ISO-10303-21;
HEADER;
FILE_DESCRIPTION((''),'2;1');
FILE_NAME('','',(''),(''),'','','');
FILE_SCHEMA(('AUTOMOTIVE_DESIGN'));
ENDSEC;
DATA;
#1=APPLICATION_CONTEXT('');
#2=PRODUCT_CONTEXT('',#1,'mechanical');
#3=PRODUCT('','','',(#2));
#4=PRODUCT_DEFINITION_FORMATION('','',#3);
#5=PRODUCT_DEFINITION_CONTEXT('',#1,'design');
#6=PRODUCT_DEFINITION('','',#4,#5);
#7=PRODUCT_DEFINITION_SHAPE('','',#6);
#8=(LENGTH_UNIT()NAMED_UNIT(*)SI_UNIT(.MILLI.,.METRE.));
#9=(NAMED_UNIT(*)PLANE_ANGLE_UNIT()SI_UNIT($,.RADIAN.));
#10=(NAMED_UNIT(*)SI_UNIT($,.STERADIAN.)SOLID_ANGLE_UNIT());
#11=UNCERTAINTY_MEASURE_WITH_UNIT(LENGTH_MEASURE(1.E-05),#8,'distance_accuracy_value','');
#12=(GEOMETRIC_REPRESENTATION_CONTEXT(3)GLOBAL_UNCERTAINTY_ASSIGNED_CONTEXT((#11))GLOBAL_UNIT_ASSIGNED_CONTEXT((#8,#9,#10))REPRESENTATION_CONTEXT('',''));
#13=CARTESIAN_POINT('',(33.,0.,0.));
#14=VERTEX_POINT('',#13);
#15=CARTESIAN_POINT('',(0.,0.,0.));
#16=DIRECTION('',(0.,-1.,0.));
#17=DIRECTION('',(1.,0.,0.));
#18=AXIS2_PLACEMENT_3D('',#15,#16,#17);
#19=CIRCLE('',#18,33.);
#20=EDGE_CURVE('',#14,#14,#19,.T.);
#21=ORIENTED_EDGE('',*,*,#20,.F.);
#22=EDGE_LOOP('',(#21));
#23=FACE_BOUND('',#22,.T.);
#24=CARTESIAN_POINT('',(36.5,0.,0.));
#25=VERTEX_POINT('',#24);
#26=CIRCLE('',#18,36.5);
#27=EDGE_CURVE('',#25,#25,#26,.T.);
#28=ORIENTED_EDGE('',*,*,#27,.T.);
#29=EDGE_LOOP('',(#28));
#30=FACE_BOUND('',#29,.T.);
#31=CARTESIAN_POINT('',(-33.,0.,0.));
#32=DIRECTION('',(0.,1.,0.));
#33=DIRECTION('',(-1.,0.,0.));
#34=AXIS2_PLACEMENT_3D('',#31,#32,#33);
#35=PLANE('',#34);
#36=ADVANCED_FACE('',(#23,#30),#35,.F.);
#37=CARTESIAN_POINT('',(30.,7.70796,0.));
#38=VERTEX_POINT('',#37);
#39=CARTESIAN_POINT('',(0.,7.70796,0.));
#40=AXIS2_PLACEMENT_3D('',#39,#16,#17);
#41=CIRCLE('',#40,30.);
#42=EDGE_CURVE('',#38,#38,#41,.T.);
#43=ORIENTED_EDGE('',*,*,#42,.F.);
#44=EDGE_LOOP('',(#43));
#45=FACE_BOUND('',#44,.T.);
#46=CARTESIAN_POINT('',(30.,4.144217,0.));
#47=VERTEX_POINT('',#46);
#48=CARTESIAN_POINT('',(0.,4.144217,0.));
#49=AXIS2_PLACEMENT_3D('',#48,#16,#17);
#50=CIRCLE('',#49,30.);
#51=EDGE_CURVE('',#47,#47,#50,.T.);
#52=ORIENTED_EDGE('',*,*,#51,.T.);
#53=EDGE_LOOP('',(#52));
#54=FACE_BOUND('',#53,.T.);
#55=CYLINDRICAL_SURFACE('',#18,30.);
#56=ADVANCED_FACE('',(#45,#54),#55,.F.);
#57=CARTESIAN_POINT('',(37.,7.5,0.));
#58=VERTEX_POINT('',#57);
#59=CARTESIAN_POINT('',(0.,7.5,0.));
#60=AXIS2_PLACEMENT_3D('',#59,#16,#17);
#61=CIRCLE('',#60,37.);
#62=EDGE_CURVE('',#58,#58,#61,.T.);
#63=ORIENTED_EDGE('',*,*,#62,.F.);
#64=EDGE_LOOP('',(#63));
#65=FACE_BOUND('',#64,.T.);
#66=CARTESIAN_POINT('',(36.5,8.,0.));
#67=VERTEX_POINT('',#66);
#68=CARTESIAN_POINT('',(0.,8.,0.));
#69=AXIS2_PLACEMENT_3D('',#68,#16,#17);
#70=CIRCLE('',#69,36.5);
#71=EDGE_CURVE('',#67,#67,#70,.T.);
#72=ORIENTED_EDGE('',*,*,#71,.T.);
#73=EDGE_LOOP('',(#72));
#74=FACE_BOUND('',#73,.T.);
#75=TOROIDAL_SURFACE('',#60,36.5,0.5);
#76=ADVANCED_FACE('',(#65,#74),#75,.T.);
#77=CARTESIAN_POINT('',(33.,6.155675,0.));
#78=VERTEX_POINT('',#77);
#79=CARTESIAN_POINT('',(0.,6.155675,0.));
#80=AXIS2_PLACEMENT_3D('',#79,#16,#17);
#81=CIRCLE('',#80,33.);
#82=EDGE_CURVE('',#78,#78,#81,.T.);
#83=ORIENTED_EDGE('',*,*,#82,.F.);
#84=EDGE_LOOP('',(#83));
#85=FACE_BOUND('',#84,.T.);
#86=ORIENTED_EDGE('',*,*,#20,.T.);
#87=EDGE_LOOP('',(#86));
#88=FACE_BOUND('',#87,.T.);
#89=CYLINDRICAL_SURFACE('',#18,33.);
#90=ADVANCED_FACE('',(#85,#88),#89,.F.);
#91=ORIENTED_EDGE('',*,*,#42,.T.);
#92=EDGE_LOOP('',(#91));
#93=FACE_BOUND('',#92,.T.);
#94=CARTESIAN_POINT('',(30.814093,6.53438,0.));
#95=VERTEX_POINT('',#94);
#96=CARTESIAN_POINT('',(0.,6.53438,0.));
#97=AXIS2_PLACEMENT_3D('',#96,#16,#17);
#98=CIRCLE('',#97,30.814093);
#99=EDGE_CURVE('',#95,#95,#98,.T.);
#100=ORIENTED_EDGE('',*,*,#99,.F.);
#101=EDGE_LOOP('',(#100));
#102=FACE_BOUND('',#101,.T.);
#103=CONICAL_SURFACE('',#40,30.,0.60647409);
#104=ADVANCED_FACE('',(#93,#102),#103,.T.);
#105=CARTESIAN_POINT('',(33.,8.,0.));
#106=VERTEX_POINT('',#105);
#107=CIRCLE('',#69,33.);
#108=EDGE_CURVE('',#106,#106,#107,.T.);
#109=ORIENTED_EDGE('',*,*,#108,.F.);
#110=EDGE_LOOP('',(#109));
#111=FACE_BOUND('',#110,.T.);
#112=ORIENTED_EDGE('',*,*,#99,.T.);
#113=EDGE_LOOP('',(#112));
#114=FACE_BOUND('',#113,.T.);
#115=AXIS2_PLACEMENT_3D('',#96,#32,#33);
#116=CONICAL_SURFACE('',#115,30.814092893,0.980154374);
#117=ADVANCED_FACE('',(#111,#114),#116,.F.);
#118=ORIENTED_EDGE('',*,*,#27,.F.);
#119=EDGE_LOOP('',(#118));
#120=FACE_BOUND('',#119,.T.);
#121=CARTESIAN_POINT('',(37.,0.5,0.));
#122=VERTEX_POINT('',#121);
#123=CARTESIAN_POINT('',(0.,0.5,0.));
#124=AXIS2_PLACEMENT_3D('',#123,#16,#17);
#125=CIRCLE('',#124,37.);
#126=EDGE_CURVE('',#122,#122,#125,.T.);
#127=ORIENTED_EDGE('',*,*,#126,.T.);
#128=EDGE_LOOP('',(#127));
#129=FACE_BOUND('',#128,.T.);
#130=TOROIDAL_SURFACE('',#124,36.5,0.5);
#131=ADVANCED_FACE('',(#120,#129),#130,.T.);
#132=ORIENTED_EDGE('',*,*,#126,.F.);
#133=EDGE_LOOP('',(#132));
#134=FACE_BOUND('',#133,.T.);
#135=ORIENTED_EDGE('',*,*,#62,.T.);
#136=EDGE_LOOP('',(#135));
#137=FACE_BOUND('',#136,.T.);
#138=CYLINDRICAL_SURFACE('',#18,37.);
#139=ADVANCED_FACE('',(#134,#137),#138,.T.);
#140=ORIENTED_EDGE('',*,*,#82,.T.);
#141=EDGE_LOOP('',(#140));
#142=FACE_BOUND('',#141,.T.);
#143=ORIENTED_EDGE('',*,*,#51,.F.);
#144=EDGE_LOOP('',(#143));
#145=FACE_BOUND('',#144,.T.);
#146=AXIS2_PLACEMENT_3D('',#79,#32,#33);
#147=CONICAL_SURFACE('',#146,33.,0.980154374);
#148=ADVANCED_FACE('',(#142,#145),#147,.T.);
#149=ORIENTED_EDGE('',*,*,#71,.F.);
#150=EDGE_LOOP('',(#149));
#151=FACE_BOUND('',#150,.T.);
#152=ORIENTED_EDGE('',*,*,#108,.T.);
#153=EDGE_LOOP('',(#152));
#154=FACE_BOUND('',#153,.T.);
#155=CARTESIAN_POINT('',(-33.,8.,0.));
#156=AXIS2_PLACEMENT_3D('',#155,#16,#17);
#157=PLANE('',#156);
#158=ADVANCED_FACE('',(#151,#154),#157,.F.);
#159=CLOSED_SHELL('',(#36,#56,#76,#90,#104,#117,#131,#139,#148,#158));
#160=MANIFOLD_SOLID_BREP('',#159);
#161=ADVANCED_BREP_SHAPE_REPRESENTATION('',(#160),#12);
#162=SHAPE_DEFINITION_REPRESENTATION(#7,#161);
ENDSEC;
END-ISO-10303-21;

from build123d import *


with BuildPart() as part:
    # Schizzo1 → Rivoluzione1 (revolve)
    with BuildSketch(Plane.XY, mode=Mode.PRIVATE) as rivoluzione1_sk:
        with BuildLine():
            Line((-33, 0), (-36.5, 0))
            ThreePointArc((-36.5, 0), (-36.853553391, 0.146446609), (-37, 0.5))
            Line((-37, 0.5), (-37, 7.5))
            ThreePointArc((-37, 7.5), (-36.853553391, 7.853553391), (-36.5, 8))
            Line((-36.5, 8), (-33, 8))
            Line((-33, 8), (-30.814092893, 6.534380349))
            Line((-30.814092893, 6.534380349), (-30, 7.707960129))
            Line((-30, 7.707960129), (-30, 6.133062593))
            Line((-30, 6.133062593), (-30, 4.144217363))
            Line((-30, 4.144217363), (-33, 6.155674729))
            Line((-33, 6.155674729), (-33, 0))
        make_face()
    revolve(rivoluzione1_sk.sketch.rotate(Axis((0, 0, 0), (0, 1, 0)), 180), axis=Axis((0, 0, 0), (0, 1, 0)))


solid = part.part
